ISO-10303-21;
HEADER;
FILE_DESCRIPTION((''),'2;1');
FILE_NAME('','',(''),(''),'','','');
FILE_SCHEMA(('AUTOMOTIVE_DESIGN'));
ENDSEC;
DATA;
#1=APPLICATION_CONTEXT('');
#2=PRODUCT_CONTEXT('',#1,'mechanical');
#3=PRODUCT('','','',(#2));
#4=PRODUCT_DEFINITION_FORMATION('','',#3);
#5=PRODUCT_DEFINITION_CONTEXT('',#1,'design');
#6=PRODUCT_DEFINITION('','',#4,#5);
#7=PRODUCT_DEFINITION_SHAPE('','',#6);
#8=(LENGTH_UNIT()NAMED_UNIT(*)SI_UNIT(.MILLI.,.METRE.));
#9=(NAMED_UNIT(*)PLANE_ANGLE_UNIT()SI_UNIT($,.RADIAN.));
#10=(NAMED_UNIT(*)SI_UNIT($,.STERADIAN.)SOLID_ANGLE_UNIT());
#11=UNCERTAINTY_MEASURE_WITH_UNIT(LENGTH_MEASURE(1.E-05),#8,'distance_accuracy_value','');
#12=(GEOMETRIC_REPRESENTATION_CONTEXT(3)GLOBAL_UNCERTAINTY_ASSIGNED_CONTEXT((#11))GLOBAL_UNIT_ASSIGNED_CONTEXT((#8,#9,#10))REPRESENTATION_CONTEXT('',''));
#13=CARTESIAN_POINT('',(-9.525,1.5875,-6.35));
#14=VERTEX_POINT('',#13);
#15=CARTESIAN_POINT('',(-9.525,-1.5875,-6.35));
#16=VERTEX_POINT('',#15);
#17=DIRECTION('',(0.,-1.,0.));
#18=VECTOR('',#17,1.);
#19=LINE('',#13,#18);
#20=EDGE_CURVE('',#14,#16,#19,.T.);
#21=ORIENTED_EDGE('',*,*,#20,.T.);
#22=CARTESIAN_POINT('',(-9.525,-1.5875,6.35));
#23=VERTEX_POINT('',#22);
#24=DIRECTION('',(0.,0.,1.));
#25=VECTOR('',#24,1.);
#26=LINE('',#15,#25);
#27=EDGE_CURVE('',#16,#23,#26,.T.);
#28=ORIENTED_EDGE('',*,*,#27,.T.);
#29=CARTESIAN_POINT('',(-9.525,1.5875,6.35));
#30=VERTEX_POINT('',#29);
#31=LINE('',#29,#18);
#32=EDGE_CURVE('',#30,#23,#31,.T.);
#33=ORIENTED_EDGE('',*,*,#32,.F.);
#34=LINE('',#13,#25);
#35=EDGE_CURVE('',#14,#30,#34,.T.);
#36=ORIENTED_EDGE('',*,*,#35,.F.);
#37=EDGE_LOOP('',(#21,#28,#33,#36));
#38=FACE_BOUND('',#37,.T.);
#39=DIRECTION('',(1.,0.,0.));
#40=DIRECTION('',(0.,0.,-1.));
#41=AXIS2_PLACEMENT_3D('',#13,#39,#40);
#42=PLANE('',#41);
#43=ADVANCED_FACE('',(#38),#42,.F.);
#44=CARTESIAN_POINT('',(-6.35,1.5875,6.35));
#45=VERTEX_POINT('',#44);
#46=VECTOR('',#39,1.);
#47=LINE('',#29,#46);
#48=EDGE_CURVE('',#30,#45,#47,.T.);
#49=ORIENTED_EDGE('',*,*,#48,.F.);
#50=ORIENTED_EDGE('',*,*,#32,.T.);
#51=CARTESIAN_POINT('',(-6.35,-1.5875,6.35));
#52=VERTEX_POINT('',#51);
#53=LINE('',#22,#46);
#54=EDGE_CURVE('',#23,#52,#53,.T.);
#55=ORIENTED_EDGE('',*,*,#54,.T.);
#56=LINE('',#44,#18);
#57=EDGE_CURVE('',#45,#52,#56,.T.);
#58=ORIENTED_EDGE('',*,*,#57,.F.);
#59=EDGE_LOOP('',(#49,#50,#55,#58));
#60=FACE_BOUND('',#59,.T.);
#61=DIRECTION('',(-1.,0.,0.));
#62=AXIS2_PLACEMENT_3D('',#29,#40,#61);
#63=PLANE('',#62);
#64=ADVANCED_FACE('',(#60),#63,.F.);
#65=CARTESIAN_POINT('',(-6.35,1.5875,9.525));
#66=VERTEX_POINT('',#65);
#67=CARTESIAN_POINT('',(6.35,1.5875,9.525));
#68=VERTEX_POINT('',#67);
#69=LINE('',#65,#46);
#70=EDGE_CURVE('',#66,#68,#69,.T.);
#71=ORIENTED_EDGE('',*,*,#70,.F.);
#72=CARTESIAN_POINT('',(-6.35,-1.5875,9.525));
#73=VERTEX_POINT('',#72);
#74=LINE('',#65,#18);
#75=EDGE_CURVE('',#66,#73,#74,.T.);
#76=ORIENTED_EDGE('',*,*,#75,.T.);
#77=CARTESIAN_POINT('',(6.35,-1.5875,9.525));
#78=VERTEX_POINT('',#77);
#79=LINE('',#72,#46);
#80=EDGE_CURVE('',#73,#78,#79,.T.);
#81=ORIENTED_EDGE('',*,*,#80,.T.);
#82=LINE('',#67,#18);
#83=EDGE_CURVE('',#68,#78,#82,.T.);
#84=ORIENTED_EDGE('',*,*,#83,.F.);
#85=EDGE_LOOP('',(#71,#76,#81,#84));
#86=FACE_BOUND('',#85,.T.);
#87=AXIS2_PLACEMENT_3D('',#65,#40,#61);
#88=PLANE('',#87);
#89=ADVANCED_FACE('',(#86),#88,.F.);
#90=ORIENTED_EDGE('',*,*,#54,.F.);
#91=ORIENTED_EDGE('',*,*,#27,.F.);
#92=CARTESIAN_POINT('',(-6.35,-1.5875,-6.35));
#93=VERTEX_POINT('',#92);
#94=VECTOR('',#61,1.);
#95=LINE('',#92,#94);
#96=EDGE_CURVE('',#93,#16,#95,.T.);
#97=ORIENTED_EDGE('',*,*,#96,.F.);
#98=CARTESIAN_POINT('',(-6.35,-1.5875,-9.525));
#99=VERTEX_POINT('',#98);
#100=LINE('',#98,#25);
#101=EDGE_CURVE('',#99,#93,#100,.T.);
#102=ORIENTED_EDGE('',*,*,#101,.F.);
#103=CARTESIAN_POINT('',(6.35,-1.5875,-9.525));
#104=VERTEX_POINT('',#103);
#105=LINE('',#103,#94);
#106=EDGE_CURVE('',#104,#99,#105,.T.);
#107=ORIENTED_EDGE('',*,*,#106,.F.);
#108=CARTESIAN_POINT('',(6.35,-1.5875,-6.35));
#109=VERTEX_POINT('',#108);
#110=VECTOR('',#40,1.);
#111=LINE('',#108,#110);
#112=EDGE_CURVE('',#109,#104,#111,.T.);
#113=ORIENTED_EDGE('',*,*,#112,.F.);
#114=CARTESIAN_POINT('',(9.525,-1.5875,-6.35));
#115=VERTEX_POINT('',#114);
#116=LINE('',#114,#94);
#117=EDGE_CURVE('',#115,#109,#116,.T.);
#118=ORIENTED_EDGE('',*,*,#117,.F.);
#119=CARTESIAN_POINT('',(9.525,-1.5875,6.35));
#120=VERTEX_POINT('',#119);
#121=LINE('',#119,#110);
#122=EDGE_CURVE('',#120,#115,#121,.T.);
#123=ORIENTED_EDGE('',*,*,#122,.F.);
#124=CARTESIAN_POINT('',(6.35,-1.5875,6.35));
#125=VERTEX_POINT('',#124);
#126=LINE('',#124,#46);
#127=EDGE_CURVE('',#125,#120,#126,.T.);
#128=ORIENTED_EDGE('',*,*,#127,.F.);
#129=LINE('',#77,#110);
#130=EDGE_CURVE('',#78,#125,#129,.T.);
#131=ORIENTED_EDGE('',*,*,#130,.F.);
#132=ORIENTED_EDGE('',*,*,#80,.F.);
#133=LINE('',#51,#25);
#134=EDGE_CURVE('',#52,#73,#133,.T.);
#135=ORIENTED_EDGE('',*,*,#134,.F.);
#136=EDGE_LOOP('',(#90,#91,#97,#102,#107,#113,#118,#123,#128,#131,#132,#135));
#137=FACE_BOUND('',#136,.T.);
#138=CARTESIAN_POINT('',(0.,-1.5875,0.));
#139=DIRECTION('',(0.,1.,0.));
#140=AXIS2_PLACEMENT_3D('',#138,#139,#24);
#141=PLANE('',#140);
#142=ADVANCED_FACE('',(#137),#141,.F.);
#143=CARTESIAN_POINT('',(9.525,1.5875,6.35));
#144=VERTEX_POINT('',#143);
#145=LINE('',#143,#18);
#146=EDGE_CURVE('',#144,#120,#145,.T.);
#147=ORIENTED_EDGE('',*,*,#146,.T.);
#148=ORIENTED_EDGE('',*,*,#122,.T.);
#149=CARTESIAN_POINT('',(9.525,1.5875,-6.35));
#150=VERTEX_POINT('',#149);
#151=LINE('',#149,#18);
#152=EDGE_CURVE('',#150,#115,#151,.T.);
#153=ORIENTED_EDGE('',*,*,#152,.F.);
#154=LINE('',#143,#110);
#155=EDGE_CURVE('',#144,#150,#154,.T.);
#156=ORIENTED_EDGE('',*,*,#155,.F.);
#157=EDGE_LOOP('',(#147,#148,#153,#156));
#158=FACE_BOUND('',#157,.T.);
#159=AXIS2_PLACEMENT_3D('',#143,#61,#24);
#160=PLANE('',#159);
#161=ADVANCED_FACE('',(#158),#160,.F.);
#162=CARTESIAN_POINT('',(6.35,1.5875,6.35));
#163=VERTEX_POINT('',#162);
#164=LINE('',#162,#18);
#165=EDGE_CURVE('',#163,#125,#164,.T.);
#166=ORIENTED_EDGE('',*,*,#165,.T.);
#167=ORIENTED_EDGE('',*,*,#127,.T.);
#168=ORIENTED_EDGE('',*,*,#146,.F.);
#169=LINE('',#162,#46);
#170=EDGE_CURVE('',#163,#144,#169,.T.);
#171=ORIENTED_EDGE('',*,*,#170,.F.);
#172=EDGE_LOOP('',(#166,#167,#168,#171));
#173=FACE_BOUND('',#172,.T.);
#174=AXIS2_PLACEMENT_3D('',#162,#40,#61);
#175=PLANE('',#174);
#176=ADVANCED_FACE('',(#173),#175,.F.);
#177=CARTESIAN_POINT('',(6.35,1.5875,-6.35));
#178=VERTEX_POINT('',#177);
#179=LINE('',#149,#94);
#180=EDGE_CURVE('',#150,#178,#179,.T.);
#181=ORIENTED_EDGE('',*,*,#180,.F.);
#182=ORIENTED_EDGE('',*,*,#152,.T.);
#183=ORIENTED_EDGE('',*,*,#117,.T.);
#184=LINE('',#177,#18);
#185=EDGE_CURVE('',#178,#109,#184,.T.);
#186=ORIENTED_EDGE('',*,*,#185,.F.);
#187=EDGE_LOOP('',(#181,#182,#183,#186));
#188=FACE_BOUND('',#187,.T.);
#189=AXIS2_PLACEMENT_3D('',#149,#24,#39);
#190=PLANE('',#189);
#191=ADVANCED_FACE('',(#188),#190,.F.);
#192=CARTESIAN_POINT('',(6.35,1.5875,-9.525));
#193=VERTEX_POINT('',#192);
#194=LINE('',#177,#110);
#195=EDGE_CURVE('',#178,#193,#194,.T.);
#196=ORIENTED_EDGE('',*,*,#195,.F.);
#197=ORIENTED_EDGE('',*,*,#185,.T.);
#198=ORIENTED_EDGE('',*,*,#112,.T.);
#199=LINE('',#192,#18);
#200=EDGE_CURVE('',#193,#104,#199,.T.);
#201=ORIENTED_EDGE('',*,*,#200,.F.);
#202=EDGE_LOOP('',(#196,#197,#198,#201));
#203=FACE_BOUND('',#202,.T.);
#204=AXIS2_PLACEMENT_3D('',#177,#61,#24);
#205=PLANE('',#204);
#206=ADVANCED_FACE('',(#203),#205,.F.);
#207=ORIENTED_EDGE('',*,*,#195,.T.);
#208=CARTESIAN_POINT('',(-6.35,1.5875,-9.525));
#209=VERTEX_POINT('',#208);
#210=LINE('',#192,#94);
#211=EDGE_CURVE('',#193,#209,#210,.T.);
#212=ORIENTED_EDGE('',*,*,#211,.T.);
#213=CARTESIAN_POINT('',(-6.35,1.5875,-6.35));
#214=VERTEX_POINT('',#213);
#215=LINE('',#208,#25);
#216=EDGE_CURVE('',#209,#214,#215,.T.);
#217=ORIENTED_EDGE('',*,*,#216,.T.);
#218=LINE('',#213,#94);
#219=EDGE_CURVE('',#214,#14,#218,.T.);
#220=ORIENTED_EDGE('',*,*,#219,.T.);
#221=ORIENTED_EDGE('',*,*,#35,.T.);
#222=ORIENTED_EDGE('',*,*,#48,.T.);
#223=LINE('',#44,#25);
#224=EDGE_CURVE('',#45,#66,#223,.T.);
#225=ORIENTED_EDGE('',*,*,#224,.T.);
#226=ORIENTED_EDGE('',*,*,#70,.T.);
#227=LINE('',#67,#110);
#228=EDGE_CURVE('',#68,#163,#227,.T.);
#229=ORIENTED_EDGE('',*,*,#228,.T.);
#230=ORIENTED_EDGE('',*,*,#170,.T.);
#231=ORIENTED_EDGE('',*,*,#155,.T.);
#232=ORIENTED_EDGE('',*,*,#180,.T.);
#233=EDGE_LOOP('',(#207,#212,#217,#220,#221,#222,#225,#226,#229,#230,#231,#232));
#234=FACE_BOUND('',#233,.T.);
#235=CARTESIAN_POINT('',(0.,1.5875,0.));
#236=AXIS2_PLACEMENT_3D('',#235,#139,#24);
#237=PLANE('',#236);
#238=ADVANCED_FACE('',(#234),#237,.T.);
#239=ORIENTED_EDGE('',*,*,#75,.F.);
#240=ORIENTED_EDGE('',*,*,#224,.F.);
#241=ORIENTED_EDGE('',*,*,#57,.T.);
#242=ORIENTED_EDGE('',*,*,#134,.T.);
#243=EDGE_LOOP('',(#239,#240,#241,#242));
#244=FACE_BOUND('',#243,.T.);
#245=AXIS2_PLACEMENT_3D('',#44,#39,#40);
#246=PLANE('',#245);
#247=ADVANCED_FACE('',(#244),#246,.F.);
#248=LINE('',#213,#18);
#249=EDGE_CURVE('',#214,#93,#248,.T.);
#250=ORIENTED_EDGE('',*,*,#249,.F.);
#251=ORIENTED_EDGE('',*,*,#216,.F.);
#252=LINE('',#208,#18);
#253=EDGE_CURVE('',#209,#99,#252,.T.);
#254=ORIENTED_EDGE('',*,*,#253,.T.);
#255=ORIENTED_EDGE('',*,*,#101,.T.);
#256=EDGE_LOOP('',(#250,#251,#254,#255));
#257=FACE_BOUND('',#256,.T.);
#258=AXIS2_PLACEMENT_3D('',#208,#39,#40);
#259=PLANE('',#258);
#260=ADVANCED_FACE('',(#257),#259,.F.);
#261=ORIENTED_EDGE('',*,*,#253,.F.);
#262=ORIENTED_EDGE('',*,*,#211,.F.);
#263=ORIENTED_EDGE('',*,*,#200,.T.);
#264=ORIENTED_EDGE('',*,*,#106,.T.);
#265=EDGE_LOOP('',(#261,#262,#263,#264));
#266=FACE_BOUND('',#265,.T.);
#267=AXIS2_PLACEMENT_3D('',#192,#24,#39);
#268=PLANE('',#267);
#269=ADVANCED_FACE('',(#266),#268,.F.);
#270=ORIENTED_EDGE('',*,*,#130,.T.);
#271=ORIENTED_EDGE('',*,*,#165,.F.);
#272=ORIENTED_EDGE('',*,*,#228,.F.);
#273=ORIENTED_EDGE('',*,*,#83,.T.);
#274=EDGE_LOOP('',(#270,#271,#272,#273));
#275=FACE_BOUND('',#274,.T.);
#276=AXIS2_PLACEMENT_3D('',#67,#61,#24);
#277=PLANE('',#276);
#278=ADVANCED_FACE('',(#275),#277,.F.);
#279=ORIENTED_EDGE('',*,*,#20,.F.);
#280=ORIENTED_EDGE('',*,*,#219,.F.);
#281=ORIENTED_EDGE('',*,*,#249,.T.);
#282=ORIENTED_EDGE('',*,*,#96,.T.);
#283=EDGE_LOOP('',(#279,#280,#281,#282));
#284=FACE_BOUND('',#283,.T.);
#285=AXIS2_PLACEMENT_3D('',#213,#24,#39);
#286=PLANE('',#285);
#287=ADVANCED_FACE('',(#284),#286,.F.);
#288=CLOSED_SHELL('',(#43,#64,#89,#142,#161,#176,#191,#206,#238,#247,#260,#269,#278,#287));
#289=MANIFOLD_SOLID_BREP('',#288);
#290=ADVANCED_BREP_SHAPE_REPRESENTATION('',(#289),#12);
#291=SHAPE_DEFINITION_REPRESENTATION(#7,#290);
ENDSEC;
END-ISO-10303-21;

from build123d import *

# Parameters (mm, degrees)
BOSS_EXTRUDE1_DEPTH = 1.5875


with BuildPart() as part:
    # Sketch1 → Boss-Extrude1 (new body, symmetric)
    with BuildSketch(Plane(origin=(0, 0, 0), x_dir=(1, 0, 0), z_dir=(0, 1, 0))):
        Polygon((-9.525, 6.35), (-9.525, -6.35), (-6.35, -6.35), (-6.35, -9.525), (6.35, -9.525), (6.35, -6.35), (9.525, -6.35), (9.525, 6.35), (6.35, 6.35), (6.35, 9.525), (-6.35, 9.525), (-6.35, 6.35), align=None)
    extrude(amount=BOSS_EXTRUDE1_DEPTH, both=True)


solid = part.part
